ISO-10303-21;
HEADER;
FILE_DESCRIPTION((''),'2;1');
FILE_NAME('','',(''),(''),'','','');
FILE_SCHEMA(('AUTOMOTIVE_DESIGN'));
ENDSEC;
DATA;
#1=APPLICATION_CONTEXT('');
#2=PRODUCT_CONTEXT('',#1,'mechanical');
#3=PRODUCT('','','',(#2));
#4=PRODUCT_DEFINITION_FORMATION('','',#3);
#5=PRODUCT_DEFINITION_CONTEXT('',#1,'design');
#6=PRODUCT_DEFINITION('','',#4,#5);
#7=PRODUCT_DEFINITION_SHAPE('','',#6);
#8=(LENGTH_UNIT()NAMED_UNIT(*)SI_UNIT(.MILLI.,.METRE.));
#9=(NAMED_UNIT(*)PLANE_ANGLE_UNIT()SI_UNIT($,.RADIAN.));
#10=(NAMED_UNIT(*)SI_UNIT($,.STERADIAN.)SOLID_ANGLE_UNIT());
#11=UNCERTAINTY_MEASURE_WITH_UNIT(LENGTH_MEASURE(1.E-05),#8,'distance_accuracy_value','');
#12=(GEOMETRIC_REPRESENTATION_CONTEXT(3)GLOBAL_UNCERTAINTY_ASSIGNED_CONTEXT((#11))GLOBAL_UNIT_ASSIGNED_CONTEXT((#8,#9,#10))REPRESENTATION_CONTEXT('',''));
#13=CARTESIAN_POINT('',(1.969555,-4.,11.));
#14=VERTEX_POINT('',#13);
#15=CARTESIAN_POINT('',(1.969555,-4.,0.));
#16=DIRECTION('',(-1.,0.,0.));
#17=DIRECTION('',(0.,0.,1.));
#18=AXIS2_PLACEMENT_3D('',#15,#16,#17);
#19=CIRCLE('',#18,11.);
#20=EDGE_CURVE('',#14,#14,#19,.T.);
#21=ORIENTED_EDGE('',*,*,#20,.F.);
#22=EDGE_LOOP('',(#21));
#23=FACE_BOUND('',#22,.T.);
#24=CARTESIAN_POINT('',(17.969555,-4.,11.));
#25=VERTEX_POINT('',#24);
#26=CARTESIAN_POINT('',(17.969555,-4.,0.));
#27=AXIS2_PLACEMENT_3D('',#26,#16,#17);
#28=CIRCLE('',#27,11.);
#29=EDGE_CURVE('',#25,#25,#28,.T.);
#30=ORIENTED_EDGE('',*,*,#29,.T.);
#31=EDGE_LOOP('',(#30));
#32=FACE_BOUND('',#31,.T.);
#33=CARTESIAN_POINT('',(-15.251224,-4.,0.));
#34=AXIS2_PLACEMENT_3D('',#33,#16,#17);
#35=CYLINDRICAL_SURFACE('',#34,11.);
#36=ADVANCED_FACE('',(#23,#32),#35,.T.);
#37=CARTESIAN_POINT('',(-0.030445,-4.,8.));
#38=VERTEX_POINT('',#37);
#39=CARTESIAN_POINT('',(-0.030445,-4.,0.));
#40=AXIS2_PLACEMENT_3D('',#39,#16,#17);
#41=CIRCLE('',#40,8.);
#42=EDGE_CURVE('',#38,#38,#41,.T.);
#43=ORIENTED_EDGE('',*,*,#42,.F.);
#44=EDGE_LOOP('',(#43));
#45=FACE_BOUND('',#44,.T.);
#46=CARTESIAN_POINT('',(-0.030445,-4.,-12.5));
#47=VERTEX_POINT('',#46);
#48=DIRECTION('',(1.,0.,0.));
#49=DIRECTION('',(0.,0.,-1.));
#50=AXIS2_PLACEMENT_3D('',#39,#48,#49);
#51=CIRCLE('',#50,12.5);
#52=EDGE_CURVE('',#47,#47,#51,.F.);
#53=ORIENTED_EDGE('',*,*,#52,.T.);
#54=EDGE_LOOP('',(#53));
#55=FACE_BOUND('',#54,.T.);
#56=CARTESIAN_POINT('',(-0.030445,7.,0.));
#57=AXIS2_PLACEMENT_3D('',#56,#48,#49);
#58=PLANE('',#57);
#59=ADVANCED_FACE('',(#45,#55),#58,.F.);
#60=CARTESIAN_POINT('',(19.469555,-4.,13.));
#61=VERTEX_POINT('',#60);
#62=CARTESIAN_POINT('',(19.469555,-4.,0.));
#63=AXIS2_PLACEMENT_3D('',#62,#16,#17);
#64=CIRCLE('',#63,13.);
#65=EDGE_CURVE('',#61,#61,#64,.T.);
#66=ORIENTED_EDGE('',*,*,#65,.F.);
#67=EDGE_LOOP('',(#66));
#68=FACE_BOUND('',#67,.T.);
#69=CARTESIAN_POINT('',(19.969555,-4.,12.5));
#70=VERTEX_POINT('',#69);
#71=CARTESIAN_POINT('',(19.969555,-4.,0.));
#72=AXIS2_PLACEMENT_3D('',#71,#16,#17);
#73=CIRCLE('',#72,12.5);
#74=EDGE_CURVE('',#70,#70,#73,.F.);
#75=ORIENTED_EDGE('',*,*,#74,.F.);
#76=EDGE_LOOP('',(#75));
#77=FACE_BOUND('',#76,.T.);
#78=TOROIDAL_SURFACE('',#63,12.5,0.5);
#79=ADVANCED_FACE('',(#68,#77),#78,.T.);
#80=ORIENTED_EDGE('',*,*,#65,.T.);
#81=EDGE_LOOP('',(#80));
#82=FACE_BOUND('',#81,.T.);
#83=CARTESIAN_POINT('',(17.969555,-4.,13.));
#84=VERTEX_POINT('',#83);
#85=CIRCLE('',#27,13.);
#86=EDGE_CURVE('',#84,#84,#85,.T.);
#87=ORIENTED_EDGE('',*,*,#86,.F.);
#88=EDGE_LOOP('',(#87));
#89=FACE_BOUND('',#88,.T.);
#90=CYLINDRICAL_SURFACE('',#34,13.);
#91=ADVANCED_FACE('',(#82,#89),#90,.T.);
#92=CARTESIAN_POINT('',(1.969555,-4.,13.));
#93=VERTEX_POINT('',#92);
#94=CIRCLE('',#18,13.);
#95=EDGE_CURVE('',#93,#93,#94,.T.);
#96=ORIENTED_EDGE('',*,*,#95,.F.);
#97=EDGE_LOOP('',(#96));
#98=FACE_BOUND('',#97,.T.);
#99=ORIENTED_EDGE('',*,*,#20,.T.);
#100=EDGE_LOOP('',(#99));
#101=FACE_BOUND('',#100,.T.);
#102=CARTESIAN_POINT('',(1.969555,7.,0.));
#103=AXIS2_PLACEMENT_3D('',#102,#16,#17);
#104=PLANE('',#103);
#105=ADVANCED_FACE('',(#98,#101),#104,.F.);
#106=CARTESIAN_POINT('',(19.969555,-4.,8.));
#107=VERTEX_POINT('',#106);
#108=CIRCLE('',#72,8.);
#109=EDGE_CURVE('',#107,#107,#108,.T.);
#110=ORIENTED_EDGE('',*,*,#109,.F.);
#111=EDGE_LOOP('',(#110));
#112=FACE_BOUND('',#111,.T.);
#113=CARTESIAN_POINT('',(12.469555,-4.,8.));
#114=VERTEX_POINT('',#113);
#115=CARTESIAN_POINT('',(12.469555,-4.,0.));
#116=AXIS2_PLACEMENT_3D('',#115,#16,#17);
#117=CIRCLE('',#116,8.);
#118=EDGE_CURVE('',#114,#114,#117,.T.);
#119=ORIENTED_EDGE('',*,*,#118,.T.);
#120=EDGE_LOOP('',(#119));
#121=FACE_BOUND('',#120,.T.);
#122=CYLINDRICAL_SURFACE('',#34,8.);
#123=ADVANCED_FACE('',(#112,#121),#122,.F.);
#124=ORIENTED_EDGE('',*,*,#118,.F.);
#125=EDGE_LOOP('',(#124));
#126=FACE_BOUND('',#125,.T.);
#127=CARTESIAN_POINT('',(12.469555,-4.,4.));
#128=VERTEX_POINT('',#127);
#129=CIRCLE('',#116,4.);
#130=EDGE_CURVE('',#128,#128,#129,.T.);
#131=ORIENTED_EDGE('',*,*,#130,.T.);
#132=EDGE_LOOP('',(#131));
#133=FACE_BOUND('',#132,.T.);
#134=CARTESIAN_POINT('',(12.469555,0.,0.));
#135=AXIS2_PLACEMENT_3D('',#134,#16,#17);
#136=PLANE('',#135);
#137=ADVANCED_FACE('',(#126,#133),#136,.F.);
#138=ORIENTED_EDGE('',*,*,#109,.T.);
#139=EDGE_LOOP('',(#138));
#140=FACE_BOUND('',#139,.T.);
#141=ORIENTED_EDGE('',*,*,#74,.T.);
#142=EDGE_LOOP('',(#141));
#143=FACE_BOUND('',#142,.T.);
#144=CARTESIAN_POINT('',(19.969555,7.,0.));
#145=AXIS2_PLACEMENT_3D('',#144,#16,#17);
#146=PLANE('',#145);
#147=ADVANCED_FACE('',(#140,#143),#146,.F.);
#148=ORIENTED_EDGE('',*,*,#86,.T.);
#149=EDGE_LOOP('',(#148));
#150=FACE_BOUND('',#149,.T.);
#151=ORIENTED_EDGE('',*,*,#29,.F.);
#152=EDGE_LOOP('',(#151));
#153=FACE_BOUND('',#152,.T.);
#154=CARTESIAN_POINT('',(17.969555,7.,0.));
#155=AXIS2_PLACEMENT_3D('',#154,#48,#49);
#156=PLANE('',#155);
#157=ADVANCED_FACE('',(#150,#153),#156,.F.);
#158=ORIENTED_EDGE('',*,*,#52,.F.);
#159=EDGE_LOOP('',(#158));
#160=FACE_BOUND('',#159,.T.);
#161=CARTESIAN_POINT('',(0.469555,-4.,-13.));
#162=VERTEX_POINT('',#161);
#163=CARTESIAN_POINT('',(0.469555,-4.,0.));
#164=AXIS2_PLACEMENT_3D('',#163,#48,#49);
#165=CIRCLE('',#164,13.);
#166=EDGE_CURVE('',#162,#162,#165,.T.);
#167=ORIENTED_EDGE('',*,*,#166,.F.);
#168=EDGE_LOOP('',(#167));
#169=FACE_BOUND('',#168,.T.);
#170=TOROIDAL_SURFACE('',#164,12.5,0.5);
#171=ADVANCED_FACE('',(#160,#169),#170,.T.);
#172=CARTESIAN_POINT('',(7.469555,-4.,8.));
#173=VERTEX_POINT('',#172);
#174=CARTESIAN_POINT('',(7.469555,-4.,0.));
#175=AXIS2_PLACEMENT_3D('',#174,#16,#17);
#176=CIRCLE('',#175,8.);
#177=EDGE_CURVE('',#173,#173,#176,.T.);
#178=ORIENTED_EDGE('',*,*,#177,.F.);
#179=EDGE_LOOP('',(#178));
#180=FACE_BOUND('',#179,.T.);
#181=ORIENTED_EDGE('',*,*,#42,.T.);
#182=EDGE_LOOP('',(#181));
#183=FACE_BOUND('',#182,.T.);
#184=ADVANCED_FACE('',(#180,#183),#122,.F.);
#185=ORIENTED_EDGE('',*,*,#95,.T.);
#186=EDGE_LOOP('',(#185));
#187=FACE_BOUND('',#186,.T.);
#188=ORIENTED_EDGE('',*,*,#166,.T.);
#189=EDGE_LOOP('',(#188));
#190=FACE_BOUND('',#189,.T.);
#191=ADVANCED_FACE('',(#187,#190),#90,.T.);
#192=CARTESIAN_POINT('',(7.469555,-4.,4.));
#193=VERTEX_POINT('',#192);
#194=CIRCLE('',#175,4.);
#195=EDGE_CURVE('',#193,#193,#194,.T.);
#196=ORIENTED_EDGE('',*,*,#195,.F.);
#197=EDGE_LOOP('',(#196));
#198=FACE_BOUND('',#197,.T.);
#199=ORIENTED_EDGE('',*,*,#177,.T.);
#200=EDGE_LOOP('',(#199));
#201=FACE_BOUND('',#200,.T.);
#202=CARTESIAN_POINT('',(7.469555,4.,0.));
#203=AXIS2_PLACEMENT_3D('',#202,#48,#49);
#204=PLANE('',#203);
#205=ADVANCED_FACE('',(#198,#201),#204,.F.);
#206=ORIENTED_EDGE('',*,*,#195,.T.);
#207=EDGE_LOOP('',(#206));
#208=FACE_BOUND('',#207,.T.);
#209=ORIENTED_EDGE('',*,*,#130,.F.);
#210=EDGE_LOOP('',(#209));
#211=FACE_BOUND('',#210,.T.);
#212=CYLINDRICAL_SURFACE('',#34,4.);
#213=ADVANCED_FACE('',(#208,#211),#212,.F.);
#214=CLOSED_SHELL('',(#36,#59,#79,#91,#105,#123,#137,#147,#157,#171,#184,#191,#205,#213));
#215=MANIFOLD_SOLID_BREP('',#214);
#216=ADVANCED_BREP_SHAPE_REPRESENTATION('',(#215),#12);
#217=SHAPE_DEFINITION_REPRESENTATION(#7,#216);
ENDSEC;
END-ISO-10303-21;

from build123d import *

# Parameters (mm, degrees)
FILLET2_R = 0.5


with BuildPart() as part:
    # Sketch1 → Revolve1 (revolve)
    with BuildSketch(Plane.XY, mode=Mode.PRIVATE) as revolve1_sk:
        Polygon((19.969555077, 4), (19.969555077, 7), (19.969555077, 9), (17.969555077, 9), (17.969555077, 7), (1.969555077, 7), (1.969555077, 9), (-0.030444923, 9), (-0.030444923, 7), (-0.030444923, 4), (7.469555077, 4), (7.469555077, 0), (12.469555077, 0), (12.469555077, 4), align=None)
    revolve(revolve1_sk.sketch.rotate(Axis((-15.251224144, -4, 0), (1, 0, 0)), 90), axis=Axis((-15.251224144, -4, 0), (1, 0, 0)))

    # Fillet2
    fillet2_edges = [part.edges().sort_by_distance(p)[0] for p in [
        (19.969555077, -4, -13),
        (-0.030444923, -4, -13),
    ]]
    fillet(fillet2_edges, radius=FILLET2_R)


solid = part.part
